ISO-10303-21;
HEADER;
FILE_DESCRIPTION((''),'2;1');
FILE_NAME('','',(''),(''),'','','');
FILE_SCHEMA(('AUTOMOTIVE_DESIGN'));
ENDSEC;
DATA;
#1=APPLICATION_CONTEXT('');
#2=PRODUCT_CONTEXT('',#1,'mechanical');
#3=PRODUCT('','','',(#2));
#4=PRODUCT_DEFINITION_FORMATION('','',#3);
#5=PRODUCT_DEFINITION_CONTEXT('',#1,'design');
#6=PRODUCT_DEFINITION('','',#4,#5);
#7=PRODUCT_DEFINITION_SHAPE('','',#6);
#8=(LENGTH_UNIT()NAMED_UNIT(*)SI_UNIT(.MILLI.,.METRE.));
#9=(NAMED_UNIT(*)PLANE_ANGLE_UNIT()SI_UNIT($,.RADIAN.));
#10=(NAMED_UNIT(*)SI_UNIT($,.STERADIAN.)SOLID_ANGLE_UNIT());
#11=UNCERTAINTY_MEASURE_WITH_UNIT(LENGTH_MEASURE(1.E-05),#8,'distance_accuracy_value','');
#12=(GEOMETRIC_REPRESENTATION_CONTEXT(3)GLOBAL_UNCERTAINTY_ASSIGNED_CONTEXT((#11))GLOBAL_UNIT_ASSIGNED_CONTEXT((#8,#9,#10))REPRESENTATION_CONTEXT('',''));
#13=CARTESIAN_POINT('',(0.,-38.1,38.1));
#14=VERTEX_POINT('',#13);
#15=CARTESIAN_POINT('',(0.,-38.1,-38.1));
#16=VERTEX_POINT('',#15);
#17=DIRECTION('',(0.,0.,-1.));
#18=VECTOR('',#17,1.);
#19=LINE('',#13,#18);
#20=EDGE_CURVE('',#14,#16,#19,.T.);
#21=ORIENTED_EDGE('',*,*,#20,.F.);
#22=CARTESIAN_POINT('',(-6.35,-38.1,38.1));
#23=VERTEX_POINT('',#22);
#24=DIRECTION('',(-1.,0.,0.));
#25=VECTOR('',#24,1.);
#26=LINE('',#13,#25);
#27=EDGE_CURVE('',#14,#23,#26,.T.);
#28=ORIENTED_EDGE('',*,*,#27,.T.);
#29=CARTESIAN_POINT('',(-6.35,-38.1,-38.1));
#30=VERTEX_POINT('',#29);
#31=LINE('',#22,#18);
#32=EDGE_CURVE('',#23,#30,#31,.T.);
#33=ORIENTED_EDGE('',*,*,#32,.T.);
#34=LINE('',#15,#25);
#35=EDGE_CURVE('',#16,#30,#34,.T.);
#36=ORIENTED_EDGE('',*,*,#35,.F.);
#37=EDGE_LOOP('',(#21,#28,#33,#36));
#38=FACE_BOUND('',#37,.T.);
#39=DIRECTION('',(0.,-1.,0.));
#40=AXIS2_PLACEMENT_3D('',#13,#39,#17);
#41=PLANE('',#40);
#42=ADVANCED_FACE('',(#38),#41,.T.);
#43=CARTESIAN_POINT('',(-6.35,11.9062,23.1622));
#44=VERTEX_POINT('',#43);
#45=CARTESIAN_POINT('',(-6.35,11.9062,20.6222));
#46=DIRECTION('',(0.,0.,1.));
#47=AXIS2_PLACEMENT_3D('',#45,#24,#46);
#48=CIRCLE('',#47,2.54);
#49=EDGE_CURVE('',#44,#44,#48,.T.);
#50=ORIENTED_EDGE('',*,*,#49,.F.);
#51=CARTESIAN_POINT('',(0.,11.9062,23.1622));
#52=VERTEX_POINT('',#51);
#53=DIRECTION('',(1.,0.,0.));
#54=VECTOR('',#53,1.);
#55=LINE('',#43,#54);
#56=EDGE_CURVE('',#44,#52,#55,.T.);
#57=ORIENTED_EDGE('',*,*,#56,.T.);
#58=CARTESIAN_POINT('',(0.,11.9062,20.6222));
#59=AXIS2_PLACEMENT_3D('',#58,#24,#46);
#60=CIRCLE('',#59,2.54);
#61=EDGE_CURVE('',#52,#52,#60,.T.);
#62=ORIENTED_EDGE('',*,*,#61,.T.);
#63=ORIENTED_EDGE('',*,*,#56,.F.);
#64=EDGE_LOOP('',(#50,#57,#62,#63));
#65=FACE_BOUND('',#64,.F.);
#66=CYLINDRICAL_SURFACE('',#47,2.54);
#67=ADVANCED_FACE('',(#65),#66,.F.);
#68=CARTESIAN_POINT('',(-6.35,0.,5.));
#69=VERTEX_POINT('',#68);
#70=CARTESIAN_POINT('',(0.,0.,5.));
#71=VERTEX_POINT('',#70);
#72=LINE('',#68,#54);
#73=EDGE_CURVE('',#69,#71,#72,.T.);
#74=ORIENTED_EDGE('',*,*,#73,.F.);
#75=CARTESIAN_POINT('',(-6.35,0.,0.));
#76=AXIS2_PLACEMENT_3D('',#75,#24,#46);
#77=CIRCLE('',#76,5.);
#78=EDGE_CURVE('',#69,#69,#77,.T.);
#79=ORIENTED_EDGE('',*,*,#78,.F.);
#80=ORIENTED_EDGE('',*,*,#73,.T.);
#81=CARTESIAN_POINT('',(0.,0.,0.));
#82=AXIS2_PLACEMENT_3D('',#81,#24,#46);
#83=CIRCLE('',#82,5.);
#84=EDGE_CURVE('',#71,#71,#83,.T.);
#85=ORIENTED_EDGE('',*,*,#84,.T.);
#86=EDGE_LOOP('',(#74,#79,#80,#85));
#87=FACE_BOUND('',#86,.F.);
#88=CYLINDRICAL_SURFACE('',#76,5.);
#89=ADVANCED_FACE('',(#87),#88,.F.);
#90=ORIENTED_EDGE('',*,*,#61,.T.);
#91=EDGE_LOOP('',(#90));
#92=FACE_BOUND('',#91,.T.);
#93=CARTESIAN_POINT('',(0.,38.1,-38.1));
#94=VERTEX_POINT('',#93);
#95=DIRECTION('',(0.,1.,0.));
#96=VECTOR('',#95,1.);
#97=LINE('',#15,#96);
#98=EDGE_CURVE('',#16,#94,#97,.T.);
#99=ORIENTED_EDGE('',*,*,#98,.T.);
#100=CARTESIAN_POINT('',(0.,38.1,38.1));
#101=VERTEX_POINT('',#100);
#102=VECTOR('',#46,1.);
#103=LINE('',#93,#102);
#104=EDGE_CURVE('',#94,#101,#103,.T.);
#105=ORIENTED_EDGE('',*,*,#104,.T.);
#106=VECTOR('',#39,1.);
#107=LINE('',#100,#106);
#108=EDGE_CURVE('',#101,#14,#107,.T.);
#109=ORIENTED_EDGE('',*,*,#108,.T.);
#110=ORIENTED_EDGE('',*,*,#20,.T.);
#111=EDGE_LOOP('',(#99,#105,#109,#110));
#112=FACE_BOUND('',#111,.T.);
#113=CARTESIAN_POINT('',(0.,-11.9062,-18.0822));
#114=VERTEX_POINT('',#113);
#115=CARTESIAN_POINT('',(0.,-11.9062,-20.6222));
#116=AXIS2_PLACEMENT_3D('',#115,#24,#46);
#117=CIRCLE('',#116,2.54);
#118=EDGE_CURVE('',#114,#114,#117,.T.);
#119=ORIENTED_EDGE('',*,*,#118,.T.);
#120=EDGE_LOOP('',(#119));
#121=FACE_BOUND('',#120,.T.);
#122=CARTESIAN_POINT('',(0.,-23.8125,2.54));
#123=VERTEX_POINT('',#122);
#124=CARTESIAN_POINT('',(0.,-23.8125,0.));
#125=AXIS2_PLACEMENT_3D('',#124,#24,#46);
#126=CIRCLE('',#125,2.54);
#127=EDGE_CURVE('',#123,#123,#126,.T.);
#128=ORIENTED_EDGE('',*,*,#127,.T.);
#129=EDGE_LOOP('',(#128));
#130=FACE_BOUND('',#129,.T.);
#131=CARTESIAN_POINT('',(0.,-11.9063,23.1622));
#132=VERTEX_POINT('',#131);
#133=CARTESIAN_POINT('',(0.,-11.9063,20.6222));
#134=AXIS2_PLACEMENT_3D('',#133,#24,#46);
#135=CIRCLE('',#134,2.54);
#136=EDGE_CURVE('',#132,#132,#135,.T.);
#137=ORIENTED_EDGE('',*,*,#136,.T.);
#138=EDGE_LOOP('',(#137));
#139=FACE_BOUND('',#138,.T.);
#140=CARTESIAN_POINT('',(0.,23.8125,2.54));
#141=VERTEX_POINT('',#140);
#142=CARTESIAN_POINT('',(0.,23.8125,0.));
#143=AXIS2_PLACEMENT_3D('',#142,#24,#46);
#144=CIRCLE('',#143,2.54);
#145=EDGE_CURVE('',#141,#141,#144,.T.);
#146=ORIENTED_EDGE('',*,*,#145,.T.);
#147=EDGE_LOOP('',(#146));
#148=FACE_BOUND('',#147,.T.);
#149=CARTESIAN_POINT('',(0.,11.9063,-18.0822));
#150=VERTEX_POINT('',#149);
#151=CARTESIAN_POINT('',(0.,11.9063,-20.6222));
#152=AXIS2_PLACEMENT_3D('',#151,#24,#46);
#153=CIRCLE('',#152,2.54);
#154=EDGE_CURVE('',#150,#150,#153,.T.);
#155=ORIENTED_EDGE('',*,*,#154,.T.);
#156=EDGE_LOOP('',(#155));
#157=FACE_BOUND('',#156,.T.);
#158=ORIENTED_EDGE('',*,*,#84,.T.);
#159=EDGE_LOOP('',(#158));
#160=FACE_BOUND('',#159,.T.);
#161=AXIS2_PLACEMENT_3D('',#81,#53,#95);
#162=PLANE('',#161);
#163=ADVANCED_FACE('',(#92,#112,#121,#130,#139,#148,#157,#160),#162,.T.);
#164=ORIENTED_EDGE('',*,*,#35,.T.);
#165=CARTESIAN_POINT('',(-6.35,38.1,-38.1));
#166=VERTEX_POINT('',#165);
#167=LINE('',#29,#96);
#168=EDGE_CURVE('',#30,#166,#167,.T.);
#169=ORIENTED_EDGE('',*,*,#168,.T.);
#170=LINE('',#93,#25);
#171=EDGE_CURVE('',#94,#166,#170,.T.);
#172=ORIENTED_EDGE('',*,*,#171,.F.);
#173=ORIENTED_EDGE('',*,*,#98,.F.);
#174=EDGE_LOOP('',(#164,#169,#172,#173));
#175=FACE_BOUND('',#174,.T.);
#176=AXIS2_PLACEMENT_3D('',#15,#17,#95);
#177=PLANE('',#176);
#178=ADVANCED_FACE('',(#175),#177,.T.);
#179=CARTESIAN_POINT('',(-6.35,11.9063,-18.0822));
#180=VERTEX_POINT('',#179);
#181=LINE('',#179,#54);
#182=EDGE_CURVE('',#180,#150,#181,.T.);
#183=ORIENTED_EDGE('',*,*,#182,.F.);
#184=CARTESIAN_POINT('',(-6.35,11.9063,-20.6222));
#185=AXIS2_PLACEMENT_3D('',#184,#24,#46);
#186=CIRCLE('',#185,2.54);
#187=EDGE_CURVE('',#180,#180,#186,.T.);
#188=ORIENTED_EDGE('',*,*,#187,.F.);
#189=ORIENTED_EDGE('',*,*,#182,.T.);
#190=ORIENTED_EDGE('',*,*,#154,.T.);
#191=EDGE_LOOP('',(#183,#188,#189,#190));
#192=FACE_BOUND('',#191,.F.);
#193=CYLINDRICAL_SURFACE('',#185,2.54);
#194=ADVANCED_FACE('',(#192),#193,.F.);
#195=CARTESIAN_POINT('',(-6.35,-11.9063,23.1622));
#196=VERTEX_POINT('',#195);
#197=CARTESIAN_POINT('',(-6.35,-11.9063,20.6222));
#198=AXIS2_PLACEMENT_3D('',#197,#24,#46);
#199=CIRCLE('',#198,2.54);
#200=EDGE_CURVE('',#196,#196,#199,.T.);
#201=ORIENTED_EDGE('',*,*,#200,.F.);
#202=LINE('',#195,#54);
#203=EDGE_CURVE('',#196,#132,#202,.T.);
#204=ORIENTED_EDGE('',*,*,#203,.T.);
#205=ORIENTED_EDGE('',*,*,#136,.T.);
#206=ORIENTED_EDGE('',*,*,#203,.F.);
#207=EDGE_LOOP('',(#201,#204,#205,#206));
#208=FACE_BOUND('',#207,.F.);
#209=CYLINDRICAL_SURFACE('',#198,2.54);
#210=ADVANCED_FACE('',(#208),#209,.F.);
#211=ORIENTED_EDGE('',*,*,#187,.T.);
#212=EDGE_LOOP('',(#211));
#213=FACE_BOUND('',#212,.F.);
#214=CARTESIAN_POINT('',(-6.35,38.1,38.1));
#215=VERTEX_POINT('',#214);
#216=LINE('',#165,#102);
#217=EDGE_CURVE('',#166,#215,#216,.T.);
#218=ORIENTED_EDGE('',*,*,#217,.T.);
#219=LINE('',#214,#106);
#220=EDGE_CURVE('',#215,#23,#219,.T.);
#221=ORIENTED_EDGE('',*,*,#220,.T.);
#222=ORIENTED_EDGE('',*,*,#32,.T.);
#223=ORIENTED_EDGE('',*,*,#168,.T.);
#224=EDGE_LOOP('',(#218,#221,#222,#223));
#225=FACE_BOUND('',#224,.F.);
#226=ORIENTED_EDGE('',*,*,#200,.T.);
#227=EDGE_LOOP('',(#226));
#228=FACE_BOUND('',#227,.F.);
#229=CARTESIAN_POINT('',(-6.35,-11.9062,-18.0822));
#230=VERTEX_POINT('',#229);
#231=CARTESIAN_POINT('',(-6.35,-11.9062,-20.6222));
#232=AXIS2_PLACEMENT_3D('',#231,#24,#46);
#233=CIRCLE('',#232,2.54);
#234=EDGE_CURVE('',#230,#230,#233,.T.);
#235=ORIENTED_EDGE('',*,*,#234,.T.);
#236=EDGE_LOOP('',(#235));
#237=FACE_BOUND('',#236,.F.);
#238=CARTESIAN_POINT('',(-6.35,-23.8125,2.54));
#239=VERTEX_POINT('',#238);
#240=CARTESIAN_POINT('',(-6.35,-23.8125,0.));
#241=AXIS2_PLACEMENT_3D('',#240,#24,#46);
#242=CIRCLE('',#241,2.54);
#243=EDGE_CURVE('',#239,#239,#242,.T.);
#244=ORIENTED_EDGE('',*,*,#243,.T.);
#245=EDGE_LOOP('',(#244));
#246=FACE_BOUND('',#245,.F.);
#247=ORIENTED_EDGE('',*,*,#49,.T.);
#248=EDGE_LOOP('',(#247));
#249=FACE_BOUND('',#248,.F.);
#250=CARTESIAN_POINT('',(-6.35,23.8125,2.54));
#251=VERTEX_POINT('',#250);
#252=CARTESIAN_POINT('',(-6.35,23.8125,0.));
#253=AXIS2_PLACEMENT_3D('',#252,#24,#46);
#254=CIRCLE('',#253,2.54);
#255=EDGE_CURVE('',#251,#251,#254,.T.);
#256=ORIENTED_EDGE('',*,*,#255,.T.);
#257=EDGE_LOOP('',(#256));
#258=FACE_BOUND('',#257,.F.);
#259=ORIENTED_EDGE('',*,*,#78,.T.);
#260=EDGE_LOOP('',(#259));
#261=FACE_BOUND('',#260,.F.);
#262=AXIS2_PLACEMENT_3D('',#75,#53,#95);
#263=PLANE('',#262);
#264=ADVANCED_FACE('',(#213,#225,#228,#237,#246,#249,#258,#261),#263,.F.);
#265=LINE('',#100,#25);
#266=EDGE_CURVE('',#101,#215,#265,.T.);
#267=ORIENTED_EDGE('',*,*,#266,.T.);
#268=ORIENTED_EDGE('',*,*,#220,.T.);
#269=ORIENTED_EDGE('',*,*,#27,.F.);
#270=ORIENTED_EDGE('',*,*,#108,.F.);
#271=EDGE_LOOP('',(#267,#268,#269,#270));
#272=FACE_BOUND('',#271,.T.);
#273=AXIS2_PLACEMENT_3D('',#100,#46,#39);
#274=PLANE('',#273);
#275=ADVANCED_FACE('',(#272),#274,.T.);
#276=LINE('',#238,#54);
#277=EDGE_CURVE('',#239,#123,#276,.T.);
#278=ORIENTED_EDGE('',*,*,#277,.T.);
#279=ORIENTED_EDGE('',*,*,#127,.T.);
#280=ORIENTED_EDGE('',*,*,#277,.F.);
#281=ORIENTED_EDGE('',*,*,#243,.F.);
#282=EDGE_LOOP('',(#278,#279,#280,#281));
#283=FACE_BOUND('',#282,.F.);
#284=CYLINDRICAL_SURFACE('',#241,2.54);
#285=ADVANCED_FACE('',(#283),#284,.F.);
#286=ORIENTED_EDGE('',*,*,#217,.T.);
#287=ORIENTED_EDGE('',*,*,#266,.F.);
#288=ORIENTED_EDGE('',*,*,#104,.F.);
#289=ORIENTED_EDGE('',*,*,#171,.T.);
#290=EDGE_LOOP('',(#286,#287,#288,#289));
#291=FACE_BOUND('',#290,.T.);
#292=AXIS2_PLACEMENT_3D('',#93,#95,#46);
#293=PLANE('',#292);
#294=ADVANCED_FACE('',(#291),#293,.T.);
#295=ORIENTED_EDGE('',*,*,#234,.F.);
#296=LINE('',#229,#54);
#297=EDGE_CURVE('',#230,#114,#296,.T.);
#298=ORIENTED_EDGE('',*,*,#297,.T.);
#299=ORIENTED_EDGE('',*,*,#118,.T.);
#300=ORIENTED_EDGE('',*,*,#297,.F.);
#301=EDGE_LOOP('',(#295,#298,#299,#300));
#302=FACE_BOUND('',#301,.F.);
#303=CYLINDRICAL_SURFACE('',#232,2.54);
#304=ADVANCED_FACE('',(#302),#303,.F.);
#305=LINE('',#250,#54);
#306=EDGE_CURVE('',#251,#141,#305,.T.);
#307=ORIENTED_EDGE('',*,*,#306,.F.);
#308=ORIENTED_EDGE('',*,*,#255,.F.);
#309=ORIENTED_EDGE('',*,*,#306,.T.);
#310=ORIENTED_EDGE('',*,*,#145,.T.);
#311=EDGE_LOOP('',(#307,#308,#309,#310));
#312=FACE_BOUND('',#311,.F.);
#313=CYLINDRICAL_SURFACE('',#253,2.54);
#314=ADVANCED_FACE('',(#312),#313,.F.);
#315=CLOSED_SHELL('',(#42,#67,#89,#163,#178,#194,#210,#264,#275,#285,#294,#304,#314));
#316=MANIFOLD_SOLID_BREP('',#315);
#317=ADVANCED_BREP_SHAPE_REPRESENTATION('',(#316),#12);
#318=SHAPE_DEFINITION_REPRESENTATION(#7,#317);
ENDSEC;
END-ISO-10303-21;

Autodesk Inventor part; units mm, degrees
ref_plane "YZ Plane" through (0, 0, 0) normal (1, 0, 0) x (0, 1, 0)
ref_plane "XZ Plane" through (0, 0, 0) normal (0, 1, 0) x (-1, 0, 0)
ref_plane "XY Plane" through (0, 0, 0) normal (0, 0, 1) x (1, 0, 0)
sketch "Sketch1" plane through (0, 0, 0) normal (1, 0, 0) x (0, 1, 0)
  line L0 (-38.1, 38.1) -> (-38.1, -38.1)
  line L1 (-38.1, -38.1) -> (38.1, -38.1)
  line L2 (38.1, -38.1) -> (38.1, 38.1)
  line L3 (38.1, 38.1) -> (-38.1, 38.1)
  line L4 (-38.1, 38.1) -> (38.1, -38.1) construction
  line L5 (-38.1, -38.1) -> (38.1, 38.1) construction
  point P0 (0, 0)
  dimension "d0" = 76.2
  dimension "d1" = 76.2
extrude "Extrusion1" add sketch "Sketch1" against normal blind 6.35
sketch "Sketch4" plane through (-6.35, 0, 0) normal (-1, 0, 0) x (0, 0, 1)
  circle A0 centre (0, -23.8125) radius 2.54
  circle A1 centre (20.6222, -11.9063) radius 2.54
  circle A2 centre (20.6222, 11.9062) radius 2.54
  circle A3 centre (0, 23.8125) radius 2.54
  circle A4 centre (-20.6222, 11.9063) radius 2.54
  circle A5 centre (-20.6222, -11.9062) radius 2.54
  point P0 (0, 0)
  dimension "d13" = 5.08
  dimension "d14" = 23.8125
  dimension "d17" = 360
extrude "Extrusion3" cut sketch "Sketch4" against normal through all
sketch "Sketch5" plane through (-6.35, 0, 0) normal (-1, 0, 0) x (0, 0, 1)
  circle A0 centre (0, 0) radius 5
  dimension "d21" = 10
extrude "Extrusion4" cut sketch "Sketch5" against normal through all
equation "\"d13\" = amHubBoltDiam"
equation "\"d14\" = 0.5 * amHubBoltHoleDiam"
equation "\"d21\" = centerHoleDiam"
equation "\"amHubBoltHoleDiam\" = 47.625"
equation "\"amHubBoltDiam\" = 5.08"
equation "\"centerHoleDiam\" = 10"
properties part number "PlateForConnectionToArm" material "Aluminum 6061"
